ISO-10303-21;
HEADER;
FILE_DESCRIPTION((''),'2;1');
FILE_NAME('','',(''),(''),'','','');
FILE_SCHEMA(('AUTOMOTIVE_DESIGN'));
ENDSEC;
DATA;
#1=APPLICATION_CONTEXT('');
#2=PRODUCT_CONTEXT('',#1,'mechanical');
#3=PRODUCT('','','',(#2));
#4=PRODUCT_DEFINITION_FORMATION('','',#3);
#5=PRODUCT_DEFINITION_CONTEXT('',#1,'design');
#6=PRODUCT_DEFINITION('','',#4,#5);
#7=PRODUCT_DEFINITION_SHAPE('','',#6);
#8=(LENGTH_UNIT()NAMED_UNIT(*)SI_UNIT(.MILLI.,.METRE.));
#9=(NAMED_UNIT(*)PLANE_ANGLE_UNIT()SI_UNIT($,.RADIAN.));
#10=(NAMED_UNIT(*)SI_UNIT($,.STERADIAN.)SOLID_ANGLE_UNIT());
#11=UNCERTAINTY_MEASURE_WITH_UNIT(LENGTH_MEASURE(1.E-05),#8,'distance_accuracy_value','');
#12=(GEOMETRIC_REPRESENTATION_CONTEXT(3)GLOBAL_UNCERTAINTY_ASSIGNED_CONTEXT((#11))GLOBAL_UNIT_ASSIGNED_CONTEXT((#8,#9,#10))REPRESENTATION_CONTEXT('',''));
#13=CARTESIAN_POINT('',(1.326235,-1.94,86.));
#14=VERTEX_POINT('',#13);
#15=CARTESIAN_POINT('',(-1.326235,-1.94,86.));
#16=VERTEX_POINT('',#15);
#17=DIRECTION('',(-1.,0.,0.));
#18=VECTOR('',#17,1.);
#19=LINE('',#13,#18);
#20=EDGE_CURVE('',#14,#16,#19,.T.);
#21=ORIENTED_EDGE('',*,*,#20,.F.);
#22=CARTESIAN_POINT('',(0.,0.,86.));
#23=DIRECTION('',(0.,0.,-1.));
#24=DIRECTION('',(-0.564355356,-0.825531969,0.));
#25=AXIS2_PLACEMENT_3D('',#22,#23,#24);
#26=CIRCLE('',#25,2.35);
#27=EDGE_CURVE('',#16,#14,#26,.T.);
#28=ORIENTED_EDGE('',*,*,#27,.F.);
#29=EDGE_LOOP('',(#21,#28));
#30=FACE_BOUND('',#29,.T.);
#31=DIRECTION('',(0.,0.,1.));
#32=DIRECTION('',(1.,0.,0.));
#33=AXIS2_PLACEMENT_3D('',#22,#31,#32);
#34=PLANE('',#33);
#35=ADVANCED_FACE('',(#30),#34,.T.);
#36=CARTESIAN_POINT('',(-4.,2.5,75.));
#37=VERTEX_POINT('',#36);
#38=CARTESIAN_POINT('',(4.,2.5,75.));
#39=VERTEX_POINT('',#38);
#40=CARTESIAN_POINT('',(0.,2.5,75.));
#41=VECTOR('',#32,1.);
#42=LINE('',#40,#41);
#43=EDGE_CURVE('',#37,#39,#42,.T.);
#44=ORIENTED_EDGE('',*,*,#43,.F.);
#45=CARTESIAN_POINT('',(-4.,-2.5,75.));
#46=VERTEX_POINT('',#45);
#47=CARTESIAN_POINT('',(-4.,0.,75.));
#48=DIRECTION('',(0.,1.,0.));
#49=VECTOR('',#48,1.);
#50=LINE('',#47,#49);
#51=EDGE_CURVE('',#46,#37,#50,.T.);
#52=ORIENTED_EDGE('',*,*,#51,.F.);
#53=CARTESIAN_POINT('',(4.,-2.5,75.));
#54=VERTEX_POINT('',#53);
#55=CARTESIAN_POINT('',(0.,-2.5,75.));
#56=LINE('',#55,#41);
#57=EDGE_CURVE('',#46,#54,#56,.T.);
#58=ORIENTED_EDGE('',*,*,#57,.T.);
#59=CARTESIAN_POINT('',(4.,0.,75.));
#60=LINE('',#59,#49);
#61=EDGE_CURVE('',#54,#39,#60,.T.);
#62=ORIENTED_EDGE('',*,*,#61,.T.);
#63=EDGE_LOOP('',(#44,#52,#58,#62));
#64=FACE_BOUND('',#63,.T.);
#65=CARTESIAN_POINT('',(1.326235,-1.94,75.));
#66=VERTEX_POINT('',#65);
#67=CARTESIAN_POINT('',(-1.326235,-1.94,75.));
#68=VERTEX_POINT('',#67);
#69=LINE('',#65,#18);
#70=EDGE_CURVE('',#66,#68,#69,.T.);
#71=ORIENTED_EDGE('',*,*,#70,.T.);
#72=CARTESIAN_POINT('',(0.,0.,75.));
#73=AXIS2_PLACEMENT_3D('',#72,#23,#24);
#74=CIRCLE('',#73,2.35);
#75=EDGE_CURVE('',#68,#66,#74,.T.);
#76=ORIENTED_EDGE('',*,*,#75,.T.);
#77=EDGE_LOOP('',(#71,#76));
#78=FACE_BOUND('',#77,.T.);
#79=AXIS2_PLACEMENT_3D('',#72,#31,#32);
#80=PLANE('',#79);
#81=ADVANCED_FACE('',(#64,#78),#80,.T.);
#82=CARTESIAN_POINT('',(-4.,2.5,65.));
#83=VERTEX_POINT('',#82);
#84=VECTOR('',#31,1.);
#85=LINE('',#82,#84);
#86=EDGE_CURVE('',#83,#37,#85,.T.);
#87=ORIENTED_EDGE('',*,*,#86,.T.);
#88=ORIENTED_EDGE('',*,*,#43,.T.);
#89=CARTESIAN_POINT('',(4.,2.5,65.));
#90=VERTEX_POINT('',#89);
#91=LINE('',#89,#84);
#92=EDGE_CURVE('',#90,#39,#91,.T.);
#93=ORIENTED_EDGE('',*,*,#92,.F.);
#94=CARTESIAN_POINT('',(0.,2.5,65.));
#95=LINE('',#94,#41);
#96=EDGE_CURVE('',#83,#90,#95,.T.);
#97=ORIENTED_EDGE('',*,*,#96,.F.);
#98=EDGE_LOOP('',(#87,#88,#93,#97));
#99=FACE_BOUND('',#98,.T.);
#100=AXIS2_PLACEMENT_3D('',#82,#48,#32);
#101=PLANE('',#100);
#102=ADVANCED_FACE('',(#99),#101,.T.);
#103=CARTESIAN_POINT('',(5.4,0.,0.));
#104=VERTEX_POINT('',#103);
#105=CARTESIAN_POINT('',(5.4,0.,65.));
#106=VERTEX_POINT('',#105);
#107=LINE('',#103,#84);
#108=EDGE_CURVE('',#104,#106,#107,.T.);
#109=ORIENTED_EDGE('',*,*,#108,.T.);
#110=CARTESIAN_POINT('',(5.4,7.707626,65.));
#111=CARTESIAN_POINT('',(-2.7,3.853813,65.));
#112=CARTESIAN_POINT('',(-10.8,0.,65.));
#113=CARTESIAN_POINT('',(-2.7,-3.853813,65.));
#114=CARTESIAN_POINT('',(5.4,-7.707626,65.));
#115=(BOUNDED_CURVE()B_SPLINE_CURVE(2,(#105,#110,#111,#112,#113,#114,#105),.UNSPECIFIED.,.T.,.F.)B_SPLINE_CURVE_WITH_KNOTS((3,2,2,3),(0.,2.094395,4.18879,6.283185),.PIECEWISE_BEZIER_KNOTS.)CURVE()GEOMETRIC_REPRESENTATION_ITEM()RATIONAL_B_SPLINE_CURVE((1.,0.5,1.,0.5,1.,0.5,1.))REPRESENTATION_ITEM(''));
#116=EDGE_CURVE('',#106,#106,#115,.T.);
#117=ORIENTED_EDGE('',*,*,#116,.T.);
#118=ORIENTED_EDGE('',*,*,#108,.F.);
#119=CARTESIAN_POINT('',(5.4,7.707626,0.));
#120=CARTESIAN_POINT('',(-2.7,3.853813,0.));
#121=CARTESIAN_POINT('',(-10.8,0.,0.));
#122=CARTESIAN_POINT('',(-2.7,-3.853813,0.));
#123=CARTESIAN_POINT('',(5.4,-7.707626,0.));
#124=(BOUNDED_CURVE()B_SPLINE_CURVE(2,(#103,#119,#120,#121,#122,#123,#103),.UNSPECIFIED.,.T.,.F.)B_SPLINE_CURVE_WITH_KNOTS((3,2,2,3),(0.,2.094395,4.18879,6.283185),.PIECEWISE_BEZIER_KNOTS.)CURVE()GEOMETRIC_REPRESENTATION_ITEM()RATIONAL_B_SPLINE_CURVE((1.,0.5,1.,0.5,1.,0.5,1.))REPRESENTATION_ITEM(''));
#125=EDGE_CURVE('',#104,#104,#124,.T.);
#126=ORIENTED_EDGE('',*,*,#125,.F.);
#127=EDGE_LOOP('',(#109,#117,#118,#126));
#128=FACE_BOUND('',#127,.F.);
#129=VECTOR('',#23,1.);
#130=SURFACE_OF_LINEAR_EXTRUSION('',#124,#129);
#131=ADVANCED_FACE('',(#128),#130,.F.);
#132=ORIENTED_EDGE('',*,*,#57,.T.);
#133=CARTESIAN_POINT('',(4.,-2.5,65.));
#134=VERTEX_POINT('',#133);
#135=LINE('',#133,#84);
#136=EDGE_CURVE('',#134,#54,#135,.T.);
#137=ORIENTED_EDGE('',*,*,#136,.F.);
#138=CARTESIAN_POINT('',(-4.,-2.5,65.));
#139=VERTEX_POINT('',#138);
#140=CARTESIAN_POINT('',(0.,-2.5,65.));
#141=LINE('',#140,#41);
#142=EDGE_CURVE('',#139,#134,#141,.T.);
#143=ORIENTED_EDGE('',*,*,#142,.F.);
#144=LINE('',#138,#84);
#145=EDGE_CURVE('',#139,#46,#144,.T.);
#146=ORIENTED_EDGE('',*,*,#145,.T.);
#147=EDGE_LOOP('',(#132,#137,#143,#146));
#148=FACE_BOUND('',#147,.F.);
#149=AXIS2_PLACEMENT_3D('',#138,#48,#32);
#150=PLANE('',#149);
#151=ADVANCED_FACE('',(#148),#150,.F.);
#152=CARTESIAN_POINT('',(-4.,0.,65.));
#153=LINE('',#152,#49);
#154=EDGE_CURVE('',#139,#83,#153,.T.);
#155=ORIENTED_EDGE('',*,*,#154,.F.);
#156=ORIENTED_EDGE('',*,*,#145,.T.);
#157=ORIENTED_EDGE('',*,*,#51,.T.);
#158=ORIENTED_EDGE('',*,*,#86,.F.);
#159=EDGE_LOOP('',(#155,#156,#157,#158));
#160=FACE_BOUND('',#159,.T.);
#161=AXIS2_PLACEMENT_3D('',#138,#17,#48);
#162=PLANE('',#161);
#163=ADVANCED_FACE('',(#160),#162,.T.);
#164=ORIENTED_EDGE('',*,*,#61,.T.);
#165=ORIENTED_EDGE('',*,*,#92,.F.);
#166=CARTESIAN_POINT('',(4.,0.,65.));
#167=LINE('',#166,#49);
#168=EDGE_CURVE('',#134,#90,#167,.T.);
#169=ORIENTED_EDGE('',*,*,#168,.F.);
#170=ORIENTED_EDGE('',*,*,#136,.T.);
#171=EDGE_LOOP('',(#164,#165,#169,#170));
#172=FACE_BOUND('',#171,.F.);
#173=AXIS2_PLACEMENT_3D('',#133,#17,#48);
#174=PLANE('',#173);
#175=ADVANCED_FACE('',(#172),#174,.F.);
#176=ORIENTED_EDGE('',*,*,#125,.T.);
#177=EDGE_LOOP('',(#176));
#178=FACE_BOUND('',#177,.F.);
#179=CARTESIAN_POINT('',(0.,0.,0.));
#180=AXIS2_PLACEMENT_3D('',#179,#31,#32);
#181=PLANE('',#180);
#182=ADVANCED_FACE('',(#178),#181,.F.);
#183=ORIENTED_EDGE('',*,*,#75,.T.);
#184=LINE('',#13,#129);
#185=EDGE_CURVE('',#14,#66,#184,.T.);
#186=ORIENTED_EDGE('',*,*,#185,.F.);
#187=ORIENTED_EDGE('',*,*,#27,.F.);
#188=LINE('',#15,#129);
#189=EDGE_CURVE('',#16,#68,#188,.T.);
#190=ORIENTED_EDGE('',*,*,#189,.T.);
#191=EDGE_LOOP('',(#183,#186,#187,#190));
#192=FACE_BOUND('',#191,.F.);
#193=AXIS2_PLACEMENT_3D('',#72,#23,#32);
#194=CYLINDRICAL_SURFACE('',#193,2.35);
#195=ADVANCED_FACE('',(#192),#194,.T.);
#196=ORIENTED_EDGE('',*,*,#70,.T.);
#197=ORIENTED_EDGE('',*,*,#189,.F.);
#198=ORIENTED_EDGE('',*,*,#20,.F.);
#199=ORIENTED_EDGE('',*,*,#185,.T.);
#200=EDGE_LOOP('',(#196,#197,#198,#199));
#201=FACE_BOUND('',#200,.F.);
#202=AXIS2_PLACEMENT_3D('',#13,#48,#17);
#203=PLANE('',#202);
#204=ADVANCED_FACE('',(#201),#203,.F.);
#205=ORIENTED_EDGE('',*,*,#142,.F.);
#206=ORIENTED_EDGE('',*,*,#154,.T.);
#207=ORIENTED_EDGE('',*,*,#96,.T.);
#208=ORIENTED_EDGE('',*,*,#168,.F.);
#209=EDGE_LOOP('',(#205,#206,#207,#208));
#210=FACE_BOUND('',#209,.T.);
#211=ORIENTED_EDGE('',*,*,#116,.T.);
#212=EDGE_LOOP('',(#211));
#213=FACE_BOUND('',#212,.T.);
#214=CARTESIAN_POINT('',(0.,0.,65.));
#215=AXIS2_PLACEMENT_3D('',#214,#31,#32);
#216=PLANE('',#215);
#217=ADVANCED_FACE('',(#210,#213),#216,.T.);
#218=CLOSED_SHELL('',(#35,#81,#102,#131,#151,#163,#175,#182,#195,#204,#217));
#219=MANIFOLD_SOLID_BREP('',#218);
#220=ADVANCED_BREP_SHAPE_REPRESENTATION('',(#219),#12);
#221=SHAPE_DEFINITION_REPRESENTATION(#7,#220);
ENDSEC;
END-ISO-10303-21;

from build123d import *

# Parameters (mm, degrees)
F1_DEPTH = 65
F2_W     = 8
F2_H     = 5
F3_DEPTH = 10
F4_R     = 2.35
F5_DEPTH = 11
F7_DEPTH = 11


with BuildPart() as f1:
    # F0 (on Top) → F1 (new body)
    with BuildSketch(Plane.XY):
        with BuildLine():
            add(Edge.make_bspline(
                [(5.4, 0), (5.4, 7.707626), (-2.7, 3.853813), (-10.8, 0), (-2.7, -3.853813), (5.4, -7.707626), (5.4, 0)],
                knots=[0, 0, 0, 2.094395, 2.094395, 4.18879, 4.18879, 6.283185, 6.283185, 6.283185], degree=2, weights=[1, 0.5, 1, 0.5, 1, 0.5, 1]))
        make_face()
    extrude(amount=F1_DEPTH)

    # F2 (on face) → F3 (join)
    with BuildSketch(Plane.XY.offset(65)):
        Rectangle(F2_W, F2_H)
    extrude(amount=F3_DEPTH)

    # F4 (on face) → F5 (join)
    with BuildSketch(Plane.XY.offset(75)):
        Circle(F4_R)
    extrude(amount=F5_DEPTH)

    # F6 (on face) → F7 (cut)
    with BuildSketch(Plane.XY.offset(86)):
        with BuildLine():
            ThreePointArc((-1.326235, -1.94), (-0.694082, -2.245161), (0, -2.35))
            Line((0, -2.35), (0, -1.94))
            Line((0, -1.94), (-1.326235, -1.94))
        make_face()
        with BuildLine():
            Line((0, -1.94), (0, -2.35))
            ThreePointArc((0, -2.35), (0.694082, -2.245161), (1.326235, -1.94))
            Line((1.326235, -1.94), (0, -1.94))
        make_face()
    extrude(amount=-F7_DEPTH, mode=Mode.SUBTRACT)


solid = f1.part
